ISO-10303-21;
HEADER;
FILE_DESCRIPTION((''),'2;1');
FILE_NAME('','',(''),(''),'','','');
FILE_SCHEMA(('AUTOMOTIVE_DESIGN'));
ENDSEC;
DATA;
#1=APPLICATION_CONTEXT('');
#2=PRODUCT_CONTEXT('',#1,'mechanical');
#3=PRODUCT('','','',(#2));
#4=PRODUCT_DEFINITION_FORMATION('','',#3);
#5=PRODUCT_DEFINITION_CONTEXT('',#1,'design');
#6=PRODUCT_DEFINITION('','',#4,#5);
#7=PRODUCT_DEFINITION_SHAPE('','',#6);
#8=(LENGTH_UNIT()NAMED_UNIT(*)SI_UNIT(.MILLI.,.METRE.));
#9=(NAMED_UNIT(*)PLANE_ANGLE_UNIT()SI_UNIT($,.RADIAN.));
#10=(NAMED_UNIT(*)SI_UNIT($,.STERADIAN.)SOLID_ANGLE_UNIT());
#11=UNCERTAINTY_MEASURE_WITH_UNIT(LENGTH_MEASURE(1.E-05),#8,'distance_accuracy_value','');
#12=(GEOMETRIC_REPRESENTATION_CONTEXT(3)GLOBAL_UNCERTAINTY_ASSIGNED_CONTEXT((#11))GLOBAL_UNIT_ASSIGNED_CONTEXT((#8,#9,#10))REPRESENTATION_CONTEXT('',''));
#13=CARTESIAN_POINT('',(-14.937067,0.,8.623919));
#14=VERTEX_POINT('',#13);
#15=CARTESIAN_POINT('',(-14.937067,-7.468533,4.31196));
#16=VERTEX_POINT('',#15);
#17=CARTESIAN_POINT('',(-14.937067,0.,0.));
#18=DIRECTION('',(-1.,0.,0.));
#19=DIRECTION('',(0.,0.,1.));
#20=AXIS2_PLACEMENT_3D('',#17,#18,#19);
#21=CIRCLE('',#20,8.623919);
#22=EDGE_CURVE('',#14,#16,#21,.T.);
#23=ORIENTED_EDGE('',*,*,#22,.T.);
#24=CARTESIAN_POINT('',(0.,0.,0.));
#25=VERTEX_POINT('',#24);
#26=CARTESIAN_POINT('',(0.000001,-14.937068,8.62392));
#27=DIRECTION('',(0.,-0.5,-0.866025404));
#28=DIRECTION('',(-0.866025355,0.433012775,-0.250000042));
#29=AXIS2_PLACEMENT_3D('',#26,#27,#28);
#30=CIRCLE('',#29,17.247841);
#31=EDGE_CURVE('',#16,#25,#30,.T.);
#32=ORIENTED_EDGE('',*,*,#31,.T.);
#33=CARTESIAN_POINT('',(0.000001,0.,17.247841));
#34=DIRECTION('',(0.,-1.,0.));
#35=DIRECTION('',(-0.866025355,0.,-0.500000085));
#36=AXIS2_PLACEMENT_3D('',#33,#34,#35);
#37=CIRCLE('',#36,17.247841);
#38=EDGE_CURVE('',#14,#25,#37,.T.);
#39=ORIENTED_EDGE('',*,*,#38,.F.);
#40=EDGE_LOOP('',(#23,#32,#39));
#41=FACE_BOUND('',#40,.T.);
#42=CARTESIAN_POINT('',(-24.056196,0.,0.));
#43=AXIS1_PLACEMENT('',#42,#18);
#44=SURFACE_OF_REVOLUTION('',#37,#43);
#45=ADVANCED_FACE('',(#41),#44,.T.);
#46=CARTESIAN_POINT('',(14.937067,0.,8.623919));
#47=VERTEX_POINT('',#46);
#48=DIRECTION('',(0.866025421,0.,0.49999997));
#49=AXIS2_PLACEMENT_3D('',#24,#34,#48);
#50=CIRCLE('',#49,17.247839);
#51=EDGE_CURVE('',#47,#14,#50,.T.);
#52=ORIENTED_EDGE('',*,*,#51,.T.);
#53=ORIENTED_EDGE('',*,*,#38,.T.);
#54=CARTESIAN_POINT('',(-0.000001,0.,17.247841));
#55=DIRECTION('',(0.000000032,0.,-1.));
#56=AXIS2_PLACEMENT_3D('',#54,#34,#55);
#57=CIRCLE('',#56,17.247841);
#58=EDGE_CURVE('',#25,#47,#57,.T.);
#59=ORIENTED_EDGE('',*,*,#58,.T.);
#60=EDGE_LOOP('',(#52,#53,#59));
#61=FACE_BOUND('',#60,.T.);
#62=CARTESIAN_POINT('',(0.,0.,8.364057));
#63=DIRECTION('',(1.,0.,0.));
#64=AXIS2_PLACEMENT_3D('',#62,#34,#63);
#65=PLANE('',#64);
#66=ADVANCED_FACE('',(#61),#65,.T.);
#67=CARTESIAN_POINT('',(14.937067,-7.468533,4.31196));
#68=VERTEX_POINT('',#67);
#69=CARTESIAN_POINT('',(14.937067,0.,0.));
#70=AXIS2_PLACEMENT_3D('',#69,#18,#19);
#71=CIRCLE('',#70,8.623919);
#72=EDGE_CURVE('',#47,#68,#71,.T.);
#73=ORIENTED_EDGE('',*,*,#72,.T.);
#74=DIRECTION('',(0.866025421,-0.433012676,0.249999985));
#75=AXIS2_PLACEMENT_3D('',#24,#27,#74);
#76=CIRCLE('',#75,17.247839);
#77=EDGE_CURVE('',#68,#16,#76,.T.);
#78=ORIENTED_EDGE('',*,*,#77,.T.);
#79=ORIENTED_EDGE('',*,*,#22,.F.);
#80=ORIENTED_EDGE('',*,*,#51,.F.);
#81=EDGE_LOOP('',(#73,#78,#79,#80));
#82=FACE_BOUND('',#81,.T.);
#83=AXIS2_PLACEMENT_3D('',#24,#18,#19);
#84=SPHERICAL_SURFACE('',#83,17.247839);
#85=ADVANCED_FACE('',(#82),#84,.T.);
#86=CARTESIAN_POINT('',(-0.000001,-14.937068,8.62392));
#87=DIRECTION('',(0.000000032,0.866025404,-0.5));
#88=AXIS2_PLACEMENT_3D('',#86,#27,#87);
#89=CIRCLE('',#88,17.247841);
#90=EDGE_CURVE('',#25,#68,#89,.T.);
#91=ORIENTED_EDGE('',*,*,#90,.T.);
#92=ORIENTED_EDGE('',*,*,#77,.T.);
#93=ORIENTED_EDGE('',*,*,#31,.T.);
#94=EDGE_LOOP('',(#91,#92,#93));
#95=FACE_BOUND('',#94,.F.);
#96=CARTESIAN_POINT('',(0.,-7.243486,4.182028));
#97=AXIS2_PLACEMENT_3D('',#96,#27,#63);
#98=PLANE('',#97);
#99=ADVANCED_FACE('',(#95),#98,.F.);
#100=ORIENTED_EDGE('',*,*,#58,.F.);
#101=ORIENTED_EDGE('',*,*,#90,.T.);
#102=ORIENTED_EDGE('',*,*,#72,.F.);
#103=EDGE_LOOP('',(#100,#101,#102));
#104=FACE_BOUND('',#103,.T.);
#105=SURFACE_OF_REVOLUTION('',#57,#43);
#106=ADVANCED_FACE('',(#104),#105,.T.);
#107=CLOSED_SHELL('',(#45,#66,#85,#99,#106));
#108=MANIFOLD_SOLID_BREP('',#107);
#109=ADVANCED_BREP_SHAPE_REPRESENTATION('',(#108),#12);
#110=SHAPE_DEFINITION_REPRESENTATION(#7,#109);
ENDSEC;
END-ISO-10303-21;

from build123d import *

# Parameters (mm, degrees)
F1_ANGLE = 300


with BuildPart() as f1:
    # F0 (on Front) → F1 (revolve)
    with BuildSketch(Plane.XZ):
        with BuildLine():
            ThreePointArc((14.937067, 8.623919), (0, 17.247839), (-14.937067, 8.623919))
            ThreePointArc((-14.937067, 8.623919), (-8.623919, 2.310772), (0, 0))
            ThreePointArc((0, 0), (8.623919, 2.310772), (14.937067, 8.623919))
        make_face()
    revolve(axis=Axis((-24.056196, 0, 0), (-1, 0, 0)), revolution_arc=F1_ANGLE)


solid = f1.part
